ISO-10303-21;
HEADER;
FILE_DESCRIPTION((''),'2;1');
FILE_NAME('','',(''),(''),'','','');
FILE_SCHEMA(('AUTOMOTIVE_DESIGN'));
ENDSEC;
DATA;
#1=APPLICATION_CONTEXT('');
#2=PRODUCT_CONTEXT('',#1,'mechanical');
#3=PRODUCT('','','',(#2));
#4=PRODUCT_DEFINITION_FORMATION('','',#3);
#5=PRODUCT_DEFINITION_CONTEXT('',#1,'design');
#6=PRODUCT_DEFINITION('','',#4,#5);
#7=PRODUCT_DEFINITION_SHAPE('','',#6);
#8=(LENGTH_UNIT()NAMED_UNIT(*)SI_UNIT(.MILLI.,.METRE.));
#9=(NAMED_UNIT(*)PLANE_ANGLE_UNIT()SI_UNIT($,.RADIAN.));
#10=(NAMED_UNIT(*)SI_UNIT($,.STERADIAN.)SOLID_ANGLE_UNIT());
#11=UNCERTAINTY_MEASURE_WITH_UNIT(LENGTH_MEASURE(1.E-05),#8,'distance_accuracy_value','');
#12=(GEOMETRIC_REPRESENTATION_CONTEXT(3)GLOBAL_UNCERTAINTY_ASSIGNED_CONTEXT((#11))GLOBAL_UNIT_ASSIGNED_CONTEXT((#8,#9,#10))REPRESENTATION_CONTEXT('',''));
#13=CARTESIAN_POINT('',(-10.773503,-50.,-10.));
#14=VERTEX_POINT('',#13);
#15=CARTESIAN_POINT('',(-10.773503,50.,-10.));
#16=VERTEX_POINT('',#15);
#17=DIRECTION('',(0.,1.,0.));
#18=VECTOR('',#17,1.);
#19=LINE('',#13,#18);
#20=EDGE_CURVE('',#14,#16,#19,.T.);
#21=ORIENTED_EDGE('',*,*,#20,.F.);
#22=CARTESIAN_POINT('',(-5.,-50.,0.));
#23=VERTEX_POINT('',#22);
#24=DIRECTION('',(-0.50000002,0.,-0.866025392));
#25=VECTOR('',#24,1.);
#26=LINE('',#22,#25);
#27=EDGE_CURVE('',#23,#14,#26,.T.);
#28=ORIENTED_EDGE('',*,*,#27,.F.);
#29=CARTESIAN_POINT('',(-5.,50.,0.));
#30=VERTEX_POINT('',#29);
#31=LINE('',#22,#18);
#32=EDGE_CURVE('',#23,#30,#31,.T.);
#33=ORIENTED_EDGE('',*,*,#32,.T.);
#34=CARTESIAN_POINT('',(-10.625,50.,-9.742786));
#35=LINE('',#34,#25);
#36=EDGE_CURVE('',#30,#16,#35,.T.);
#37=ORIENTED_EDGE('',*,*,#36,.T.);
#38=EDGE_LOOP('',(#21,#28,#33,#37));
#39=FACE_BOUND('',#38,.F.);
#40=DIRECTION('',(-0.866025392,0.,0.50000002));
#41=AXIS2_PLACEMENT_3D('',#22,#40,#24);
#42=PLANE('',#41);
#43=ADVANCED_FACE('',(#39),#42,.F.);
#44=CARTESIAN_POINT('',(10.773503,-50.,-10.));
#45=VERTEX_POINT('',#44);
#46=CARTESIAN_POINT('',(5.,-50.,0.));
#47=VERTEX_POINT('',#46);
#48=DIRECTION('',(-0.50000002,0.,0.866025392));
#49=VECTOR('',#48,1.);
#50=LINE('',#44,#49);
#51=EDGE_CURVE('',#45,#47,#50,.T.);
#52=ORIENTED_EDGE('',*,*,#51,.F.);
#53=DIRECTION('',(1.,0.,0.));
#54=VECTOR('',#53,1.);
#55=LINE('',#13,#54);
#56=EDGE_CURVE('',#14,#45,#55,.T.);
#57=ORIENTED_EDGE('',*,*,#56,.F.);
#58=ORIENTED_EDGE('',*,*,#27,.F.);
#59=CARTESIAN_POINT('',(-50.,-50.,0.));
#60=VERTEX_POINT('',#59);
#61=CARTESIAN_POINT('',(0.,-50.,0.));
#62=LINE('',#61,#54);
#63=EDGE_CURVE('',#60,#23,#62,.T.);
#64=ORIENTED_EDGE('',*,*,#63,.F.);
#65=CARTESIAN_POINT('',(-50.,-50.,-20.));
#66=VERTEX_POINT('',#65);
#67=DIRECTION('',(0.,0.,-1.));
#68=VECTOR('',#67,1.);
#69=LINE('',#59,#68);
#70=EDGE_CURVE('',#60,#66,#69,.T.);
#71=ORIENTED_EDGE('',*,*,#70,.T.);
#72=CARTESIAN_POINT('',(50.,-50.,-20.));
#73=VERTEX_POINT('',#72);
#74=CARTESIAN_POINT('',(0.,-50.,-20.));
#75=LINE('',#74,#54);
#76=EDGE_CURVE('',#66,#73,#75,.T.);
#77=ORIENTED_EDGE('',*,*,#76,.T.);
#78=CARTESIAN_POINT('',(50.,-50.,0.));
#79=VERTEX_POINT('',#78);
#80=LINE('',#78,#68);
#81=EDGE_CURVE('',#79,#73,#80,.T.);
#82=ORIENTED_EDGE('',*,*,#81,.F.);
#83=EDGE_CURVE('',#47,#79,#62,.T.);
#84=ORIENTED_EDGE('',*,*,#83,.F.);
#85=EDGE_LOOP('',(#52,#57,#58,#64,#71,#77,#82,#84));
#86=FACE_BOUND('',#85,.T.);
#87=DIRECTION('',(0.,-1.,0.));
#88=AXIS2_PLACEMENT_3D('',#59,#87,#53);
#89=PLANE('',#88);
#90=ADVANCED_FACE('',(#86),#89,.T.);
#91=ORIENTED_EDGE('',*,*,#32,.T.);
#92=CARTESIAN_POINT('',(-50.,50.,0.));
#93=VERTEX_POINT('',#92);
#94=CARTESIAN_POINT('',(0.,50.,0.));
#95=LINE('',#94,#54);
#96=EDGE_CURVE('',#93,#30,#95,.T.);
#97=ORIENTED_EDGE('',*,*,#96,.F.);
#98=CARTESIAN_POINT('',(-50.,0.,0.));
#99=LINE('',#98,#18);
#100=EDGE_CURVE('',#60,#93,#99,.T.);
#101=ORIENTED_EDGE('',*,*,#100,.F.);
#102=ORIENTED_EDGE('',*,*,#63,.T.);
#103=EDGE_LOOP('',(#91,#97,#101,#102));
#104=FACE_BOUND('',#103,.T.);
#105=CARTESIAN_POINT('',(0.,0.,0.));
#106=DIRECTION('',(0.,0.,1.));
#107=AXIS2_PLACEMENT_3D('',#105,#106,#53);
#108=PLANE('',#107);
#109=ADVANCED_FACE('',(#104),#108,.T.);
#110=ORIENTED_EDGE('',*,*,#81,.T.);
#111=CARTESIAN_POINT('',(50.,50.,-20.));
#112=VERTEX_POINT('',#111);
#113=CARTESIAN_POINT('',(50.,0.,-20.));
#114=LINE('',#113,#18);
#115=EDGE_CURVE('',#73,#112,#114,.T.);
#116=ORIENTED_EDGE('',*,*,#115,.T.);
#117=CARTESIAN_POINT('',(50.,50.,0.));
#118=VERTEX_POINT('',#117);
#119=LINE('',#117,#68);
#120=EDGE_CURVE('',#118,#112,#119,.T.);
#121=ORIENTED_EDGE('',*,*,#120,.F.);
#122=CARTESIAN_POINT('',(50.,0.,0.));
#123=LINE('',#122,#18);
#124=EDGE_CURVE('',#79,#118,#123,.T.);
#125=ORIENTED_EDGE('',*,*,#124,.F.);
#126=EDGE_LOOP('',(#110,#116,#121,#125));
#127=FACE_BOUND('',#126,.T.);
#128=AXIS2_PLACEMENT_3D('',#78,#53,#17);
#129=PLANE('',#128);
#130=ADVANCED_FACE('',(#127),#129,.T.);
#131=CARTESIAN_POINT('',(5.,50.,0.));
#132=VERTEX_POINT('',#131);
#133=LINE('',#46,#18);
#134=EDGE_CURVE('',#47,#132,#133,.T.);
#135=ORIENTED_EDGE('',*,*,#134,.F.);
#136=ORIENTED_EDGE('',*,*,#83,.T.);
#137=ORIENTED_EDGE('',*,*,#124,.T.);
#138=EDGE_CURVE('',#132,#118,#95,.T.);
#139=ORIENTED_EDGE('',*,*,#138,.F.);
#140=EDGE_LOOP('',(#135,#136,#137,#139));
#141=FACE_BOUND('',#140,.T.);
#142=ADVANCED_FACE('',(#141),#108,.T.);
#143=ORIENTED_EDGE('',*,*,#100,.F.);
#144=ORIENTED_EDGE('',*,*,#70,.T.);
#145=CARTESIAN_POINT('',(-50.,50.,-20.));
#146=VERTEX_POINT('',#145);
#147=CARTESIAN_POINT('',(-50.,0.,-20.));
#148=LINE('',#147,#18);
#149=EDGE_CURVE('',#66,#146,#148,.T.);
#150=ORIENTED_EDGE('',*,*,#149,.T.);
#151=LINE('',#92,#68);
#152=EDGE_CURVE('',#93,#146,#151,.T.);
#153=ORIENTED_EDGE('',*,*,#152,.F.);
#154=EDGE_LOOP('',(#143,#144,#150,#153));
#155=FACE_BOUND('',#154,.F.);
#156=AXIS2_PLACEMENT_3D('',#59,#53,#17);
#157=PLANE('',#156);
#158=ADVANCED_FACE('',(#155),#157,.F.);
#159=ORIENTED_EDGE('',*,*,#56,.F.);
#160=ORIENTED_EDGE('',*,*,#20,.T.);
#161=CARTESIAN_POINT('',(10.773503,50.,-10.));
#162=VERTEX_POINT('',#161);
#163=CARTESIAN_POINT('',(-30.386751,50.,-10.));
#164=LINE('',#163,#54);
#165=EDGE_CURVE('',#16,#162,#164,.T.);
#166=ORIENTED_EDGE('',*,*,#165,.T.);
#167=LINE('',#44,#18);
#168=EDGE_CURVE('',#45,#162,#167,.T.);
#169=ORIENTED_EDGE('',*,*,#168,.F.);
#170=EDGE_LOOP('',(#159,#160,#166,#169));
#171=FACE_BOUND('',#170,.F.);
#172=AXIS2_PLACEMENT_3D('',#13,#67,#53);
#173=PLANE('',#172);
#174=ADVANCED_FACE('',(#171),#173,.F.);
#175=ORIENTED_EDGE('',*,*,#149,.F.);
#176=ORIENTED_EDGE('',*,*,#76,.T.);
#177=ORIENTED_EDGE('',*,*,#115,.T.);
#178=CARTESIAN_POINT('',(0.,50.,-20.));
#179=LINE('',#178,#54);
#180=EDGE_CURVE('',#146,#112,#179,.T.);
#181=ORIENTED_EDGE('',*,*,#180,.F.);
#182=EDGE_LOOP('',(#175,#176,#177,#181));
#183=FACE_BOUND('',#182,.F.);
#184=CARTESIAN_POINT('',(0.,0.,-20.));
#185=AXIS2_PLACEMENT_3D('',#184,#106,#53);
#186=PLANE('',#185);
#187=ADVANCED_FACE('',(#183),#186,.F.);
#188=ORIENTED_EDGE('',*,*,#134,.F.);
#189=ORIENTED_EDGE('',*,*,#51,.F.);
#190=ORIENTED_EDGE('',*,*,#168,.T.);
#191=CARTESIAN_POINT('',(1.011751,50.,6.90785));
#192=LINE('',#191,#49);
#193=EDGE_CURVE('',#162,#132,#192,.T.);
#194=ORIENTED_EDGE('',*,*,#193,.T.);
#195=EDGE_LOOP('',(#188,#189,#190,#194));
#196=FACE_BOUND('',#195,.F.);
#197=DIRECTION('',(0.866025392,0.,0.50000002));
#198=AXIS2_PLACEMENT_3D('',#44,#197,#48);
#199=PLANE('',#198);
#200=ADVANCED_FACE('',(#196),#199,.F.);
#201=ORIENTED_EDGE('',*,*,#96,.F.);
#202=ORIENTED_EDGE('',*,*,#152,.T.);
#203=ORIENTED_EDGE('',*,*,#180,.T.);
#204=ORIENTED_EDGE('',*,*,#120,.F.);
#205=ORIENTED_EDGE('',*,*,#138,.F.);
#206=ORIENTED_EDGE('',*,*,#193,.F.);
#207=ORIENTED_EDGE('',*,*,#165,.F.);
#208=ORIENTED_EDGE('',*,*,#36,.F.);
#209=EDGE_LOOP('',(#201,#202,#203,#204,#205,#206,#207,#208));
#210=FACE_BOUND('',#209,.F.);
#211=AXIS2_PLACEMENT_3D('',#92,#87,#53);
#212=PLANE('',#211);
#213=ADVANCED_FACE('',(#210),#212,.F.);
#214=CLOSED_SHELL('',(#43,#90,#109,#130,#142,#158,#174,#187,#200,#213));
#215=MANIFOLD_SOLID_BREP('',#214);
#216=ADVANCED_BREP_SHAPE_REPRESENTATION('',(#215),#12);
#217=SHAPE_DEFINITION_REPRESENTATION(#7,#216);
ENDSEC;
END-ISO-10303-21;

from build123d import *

# Parameters (mm, degrees)
F0_W     = 100
F0_H     = 100
F1_DEPTH = 20
F3_DEPTH = 100.001


with BuildPart() as f1:
    # F0 (on Top) → F1 (new body)
    with BuildSketch(Plane.XY):
        Rectangle(F0_W, F0_H)
    extrude(amount=-F1_DEPTH)

    # F2 (on face) → F3 (cut, through all)
    with BuildSketch(Plane.XZ.offset(50)):
        Polygon((10.773503, -10), (5, 0), (5, 5), (-5, 5), (-5, 0), (-10.773503, -10), align=None)
    extrude(amount=-F3_DEPTH, mode=Mode.SUBTRACT)


solid = f1.part
